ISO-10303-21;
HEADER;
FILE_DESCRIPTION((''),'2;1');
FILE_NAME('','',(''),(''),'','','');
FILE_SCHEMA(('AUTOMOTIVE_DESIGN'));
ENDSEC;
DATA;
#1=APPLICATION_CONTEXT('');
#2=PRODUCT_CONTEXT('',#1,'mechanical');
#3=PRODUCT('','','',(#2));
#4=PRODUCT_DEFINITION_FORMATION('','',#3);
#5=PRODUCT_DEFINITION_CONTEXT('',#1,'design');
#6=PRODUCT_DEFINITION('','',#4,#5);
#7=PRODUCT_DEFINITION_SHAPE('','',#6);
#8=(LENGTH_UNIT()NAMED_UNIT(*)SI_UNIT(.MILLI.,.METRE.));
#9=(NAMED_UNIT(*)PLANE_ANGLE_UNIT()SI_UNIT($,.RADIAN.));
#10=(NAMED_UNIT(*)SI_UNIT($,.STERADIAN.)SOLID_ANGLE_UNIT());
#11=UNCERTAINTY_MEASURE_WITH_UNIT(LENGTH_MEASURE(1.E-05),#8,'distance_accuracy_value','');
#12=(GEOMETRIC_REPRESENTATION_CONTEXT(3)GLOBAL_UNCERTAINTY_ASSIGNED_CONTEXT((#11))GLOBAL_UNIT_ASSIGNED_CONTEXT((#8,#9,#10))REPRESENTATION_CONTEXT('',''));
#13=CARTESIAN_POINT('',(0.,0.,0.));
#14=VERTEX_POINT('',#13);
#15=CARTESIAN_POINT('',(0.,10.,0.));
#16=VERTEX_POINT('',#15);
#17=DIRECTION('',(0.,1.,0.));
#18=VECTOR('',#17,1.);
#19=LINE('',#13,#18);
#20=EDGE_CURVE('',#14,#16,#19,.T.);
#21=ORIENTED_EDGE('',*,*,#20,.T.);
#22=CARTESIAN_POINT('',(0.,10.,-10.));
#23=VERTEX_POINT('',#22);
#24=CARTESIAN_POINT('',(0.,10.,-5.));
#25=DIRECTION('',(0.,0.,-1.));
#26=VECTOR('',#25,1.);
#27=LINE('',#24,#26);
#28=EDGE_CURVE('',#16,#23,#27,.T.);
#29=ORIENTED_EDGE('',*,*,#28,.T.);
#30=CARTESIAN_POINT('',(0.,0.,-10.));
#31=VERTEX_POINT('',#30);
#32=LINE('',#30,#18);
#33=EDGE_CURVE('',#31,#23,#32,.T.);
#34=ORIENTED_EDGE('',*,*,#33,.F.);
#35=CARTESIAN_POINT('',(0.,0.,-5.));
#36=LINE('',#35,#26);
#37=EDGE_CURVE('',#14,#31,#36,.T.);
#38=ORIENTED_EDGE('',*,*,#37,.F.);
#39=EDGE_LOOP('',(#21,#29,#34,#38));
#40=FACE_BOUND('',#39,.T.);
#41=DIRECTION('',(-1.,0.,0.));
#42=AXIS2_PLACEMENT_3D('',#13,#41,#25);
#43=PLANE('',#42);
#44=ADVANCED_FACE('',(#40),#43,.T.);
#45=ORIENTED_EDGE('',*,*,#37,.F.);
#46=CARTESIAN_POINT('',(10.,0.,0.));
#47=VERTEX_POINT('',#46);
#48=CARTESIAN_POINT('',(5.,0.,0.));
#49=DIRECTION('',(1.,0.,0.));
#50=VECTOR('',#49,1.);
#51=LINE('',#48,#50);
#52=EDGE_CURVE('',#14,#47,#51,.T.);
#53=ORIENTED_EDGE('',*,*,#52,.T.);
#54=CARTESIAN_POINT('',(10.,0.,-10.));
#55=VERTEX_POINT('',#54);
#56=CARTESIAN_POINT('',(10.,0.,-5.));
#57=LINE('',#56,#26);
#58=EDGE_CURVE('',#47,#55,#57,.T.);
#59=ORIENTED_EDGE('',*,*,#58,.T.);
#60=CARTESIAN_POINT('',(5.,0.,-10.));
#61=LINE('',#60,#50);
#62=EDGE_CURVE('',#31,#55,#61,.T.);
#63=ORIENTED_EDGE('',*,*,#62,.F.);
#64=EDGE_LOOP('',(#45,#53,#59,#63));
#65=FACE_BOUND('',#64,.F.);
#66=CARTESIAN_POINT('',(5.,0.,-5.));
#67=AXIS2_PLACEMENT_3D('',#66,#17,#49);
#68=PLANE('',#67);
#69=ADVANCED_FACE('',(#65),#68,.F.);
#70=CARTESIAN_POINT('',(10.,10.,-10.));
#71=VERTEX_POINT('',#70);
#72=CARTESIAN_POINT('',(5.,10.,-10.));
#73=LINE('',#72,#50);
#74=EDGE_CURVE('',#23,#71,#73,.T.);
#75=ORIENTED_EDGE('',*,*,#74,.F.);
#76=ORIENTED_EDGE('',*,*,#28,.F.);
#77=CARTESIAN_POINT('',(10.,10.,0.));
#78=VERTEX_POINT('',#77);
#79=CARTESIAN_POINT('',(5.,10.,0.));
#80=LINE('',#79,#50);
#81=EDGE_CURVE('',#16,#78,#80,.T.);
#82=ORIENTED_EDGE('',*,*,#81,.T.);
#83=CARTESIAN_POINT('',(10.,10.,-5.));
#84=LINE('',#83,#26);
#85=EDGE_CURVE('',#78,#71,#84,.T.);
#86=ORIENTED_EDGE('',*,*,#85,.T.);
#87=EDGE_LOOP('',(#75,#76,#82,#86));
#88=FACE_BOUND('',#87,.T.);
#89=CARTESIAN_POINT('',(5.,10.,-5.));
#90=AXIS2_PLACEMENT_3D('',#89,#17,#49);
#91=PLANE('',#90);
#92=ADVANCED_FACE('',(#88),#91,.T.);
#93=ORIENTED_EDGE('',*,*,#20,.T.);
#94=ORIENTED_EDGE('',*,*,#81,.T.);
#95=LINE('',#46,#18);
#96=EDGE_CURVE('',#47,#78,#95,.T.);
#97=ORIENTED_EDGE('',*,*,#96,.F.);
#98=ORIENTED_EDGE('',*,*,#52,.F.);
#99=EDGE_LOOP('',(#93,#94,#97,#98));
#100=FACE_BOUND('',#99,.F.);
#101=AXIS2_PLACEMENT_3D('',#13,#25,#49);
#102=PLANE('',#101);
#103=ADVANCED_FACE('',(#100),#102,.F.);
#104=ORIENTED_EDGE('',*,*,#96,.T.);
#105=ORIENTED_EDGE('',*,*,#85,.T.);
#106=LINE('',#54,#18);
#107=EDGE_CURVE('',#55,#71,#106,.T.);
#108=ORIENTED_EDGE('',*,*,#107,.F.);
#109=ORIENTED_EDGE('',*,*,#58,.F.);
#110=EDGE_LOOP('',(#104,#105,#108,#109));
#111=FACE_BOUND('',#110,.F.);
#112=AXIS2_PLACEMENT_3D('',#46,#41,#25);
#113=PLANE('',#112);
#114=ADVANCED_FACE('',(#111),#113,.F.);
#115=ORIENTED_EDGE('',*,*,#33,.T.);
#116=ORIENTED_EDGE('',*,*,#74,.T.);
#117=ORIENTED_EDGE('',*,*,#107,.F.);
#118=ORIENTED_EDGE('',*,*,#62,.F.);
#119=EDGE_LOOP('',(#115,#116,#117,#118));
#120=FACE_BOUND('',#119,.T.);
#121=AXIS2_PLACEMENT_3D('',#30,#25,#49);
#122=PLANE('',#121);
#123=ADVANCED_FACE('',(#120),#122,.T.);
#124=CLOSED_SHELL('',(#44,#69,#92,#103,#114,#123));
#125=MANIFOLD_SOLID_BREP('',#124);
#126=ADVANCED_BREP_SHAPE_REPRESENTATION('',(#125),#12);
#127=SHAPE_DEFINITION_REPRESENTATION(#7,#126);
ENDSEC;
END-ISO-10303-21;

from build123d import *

# Parameters (mm, degrees)
SKETCH1_W           = 10
SKETCH1_H           = 10
BOSS_EXTRUDE1_DEPTH = 10


with BuildPart() as part:
    # Sketch1 → Boss-Extrude1 (new body)
    with BuildSketch(Plane(origin=(0, 0, 0), x_dir=(1, 0, 0), z_dir=(0, 1, 0))):
        with Locations((5, 5)):
            Rectangle(SKETCH1_W, SKETCH1_H)
    extrude(amount=BOSS_EXTRUDE1_DEPTH)


solid = part.part
